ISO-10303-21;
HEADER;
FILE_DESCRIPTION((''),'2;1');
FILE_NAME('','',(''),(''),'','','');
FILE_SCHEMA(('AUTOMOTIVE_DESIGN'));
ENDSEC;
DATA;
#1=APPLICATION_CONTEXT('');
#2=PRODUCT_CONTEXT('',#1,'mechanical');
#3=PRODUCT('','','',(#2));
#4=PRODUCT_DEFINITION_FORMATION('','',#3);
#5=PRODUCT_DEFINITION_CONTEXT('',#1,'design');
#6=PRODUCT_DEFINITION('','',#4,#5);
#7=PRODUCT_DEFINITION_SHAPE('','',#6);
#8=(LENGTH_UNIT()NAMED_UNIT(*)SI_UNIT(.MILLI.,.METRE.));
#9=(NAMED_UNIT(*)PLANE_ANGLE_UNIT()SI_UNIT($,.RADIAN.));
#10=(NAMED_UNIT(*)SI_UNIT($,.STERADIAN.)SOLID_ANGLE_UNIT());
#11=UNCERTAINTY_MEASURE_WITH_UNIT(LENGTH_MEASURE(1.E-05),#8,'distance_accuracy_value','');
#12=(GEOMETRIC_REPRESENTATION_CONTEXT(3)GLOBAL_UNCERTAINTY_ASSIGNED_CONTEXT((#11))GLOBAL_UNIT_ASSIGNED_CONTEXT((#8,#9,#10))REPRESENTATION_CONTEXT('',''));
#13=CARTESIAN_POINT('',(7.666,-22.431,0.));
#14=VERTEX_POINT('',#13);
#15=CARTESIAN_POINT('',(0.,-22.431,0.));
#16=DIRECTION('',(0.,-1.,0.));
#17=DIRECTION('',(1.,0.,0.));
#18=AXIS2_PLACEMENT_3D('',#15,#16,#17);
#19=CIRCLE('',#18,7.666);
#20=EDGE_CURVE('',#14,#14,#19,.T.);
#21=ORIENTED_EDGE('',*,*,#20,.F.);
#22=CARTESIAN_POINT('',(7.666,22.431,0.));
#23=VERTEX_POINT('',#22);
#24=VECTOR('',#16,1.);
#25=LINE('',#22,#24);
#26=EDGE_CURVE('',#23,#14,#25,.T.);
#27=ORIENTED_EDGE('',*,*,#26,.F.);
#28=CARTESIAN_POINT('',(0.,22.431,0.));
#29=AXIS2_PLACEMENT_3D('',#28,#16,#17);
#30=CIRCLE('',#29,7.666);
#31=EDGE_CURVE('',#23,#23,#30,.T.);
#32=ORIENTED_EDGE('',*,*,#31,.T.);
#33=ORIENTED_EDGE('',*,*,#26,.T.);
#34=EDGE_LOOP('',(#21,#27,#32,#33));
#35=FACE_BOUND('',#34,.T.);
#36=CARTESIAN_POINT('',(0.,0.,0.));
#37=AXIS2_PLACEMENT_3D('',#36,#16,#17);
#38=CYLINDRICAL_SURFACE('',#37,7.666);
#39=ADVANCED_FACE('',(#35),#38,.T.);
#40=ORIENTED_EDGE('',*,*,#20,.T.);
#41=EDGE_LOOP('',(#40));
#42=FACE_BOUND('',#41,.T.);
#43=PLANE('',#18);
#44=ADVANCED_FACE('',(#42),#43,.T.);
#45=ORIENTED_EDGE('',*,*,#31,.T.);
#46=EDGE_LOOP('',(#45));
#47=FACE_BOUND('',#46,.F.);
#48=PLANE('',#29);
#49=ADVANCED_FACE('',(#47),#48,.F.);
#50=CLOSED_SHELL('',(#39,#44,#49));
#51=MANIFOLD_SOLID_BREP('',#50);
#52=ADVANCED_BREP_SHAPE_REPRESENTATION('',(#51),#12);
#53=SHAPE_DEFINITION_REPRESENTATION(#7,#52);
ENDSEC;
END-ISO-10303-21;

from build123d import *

# Parameters (mm, degrees)
SKETCH_R  = 7.666
PAD_DEPTH = 22.431


with BuildPart() as part:
    # Sketch → Pad (new body, symmetric)
    with BuildSketch(Plane.XZ):
        Circle(SKETCH_R)
    extrude(amount=PAD_DEPTH, both=True)


solid = part.part
